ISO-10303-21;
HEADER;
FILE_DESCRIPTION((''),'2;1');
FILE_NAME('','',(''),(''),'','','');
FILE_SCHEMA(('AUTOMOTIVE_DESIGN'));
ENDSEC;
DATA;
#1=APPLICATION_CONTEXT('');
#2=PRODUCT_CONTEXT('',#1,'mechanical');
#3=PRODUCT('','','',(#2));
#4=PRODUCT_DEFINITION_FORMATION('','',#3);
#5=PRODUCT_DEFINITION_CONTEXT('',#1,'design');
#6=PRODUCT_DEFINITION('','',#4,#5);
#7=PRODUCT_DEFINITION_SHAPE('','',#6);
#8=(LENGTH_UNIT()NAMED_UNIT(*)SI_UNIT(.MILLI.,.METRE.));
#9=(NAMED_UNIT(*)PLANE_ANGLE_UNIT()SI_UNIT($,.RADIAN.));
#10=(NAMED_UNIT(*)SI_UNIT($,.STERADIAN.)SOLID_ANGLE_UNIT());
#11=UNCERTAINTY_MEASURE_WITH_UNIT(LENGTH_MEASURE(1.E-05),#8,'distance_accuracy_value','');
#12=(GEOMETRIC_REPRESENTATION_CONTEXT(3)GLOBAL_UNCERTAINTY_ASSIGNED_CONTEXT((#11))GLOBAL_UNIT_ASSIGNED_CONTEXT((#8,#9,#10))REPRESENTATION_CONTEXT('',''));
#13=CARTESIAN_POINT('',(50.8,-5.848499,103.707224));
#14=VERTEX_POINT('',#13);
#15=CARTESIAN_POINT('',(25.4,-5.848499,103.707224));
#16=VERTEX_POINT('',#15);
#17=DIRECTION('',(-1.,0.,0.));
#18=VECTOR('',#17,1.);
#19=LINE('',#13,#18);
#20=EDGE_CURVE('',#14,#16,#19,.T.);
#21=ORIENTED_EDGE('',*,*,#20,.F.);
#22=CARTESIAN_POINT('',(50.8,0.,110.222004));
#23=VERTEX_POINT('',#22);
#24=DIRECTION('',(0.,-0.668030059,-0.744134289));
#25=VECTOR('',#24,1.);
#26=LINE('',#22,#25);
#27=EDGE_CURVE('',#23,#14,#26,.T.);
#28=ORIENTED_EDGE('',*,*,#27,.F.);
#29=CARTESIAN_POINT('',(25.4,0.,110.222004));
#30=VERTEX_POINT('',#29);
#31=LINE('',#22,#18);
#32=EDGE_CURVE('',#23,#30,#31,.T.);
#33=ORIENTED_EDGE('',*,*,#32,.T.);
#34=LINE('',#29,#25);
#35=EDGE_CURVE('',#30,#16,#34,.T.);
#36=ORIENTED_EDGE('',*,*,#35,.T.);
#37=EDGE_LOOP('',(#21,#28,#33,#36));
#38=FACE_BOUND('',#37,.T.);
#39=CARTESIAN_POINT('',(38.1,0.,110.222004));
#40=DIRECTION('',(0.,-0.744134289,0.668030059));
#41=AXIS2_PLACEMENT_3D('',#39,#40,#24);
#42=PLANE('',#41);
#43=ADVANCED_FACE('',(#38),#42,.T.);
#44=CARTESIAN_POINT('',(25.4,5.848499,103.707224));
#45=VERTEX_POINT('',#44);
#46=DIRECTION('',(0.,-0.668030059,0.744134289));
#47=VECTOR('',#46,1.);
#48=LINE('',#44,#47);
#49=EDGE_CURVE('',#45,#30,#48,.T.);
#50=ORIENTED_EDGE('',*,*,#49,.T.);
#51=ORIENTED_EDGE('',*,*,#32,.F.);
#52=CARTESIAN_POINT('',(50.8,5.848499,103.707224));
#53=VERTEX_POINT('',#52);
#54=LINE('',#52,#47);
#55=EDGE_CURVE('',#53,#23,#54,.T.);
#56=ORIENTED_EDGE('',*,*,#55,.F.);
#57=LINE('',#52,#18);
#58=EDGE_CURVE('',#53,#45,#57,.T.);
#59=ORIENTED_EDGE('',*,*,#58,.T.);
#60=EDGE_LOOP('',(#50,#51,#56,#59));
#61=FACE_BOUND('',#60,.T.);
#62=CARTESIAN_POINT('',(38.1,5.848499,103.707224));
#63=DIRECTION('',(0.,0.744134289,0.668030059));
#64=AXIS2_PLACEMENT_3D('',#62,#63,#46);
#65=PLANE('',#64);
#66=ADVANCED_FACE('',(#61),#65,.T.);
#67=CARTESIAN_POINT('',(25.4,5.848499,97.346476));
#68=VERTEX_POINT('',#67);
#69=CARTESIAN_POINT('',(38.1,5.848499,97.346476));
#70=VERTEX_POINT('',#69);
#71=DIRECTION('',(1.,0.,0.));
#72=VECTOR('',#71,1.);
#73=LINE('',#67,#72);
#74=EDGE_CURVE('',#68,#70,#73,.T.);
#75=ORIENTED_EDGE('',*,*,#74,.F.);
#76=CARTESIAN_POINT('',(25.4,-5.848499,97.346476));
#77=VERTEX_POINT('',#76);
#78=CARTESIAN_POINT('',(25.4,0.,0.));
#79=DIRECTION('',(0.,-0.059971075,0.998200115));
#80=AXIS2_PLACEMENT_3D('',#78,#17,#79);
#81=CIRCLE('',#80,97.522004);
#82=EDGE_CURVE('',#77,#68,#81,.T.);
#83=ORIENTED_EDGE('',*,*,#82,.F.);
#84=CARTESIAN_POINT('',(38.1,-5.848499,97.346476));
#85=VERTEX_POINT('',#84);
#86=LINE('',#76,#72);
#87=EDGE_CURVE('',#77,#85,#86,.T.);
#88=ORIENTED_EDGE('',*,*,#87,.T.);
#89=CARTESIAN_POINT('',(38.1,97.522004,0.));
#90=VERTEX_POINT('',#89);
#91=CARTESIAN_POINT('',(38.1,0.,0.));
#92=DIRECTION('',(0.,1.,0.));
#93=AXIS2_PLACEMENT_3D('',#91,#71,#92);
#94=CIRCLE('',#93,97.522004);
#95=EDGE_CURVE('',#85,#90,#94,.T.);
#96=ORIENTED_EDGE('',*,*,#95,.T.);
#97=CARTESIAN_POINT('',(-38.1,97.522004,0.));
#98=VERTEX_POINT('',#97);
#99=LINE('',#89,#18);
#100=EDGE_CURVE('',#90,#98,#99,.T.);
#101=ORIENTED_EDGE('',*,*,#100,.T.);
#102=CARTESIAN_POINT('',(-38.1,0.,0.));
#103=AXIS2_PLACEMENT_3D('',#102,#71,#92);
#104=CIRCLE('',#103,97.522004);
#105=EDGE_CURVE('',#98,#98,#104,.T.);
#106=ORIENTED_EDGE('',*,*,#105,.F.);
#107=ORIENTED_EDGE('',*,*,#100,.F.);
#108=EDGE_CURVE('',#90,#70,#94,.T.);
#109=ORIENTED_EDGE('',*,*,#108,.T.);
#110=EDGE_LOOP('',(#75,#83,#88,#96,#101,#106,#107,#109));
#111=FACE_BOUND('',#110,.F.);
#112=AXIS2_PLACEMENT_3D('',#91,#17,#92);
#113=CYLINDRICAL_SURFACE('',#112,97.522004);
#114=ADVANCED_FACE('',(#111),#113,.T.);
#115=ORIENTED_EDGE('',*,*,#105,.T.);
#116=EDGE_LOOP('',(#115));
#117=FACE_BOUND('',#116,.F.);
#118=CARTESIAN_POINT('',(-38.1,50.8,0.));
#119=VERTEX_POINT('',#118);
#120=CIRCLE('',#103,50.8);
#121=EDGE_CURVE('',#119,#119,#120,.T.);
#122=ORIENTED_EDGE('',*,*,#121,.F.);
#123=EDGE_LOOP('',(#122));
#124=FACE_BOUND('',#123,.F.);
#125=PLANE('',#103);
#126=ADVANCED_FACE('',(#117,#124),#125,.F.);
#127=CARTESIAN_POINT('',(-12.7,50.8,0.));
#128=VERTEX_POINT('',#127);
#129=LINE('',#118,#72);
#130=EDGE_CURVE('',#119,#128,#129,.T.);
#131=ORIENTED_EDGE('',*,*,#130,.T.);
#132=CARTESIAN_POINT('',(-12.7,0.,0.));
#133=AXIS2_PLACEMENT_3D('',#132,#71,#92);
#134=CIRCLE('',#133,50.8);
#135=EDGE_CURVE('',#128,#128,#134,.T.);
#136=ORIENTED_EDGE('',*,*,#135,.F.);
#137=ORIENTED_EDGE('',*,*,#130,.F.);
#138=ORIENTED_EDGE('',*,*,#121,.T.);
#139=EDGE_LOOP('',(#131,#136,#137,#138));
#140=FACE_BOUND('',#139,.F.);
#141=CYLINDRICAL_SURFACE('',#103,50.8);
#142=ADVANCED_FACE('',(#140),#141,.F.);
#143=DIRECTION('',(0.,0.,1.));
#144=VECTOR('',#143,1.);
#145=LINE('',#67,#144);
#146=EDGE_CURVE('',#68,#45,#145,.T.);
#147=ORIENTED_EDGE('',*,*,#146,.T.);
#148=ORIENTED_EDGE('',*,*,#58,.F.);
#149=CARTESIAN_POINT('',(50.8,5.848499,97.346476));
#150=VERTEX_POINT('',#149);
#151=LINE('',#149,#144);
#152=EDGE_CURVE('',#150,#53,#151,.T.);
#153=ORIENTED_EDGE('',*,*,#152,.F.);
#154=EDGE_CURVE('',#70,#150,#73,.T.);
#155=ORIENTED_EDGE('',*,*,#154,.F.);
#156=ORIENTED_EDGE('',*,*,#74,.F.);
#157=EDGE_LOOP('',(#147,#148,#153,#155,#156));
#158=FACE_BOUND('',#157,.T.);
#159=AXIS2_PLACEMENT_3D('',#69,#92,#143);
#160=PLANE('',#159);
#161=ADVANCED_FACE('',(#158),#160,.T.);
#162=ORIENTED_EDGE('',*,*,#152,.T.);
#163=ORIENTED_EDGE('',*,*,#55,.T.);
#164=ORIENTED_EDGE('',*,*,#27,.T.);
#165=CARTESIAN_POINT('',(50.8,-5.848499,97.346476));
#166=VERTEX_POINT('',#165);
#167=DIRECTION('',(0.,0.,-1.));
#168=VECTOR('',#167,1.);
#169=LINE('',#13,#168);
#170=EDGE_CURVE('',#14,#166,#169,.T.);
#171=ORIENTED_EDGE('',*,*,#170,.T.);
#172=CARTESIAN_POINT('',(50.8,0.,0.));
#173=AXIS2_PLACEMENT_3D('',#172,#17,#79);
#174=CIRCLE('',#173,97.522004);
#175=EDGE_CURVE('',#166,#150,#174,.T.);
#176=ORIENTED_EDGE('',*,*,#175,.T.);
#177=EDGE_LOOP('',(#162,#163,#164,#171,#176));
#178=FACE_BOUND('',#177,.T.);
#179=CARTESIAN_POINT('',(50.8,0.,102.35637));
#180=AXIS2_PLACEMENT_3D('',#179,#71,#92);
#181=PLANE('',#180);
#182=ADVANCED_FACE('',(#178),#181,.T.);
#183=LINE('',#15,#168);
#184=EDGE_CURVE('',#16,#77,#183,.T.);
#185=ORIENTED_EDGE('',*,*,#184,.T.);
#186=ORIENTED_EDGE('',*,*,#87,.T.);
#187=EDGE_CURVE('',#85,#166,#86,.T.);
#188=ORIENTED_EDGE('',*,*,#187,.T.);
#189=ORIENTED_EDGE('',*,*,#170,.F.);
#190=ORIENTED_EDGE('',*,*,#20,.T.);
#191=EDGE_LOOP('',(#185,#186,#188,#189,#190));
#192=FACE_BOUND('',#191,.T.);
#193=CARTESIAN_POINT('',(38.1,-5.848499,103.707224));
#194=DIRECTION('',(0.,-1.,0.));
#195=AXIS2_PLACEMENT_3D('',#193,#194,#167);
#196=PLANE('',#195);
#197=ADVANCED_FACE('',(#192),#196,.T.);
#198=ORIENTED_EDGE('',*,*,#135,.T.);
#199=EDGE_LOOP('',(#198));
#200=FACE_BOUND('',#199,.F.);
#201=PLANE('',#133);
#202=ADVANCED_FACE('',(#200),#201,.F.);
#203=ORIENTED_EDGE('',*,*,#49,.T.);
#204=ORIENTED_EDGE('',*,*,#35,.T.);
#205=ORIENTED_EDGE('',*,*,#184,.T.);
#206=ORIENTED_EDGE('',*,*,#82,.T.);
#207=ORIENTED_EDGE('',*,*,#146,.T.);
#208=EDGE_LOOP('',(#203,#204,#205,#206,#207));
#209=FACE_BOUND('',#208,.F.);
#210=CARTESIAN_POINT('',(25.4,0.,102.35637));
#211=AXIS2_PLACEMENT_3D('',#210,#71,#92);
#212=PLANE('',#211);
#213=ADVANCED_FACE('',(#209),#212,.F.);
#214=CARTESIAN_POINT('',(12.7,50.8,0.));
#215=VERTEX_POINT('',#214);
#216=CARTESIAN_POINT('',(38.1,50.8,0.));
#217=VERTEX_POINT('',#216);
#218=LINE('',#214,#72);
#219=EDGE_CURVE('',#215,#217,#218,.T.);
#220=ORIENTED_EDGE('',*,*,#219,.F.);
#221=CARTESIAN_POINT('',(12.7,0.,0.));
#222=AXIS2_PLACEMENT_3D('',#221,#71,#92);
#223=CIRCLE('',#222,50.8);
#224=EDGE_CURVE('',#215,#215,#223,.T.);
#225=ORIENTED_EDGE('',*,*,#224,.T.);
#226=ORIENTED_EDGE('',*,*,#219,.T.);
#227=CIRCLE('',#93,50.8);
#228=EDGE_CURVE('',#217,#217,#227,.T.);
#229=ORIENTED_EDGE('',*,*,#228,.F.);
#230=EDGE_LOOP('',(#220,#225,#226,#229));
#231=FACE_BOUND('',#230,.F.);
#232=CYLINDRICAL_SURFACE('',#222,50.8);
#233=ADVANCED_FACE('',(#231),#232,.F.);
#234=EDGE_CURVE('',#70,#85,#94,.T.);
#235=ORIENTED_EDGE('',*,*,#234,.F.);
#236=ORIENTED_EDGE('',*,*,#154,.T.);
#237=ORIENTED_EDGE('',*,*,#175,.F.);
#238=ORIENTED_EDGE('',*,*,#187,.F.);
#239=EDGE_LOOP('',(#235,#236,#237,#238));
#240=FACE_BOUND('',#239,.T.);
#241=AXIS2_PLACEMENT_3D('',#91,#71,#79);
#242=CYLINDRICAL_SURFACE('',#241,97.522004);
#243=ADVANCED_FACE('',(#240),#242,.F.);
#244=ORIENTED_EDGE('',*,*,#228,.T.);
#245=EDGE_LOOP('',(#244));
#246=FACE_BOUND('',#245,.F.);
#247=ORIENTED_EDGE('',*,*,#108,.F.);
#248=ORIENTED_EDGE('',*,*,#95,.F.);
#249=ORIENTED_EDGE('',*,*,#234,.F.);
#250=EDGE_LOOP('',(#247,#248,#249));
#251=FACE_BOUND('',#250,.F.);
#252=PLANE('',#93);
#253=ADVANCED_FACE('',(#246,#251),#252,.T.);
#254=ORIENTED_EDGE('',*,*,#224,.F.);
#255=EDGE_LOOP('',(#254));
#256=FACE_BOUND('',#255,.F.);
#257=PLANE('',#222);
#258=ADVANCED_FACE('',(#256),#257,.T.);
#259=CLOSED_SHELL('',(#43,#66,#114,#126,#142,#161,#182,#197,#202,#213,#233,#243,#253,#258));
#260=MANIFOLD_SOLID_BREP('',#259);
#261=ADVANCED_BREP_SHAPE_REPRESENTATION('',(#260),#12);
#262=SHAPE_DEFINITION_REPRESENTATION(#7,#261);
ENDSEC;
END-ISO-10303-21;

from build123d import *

# Parameters (mm, degrees)
F3_DEPTH = 12.7


with BuildPart() as f1:
    # F0 (on Top) → F1 (revolve)
    with BuildSketch(Plane.XY):
        Polygon((-38.1, 97.5220042493), (-38.1, 50.8), (-12.7, 50.8), (-12.7, 0), (12.7, 0), (12.7, 50.8), (38.1, 50.8), (38.1, 97.5220042493), align=None)
    revolve(axis=Axis((-3.145875015, 0, 0), (1, 0, 0)))

    # F2 (on face) → F3 (join, symmetric)
    with BuildSketch(Plane.YZ.offset(38.1)):
        with BuildLine():
            Line((-5.8484994777, 103.7072240523), (-5.8484994777, 97.3464758821))
            ThreePointArc((-5.8484994777, 97.3464758821), (0, 97.5220042493), (5.8484994777, 97.3464758821))
            Line((5.8484994777, 97.3464758821), (5.8484994777, 103.7072240523))
            Line((5.8484994777, 103.7072240523), (0, 110.2220042493))
            Line((0, 110.2220042493), (-5.8484994777, 103.7072240523))
        make_face()
    extrude(amount=F3_DEPTH, both=True)


solid = f1.part
